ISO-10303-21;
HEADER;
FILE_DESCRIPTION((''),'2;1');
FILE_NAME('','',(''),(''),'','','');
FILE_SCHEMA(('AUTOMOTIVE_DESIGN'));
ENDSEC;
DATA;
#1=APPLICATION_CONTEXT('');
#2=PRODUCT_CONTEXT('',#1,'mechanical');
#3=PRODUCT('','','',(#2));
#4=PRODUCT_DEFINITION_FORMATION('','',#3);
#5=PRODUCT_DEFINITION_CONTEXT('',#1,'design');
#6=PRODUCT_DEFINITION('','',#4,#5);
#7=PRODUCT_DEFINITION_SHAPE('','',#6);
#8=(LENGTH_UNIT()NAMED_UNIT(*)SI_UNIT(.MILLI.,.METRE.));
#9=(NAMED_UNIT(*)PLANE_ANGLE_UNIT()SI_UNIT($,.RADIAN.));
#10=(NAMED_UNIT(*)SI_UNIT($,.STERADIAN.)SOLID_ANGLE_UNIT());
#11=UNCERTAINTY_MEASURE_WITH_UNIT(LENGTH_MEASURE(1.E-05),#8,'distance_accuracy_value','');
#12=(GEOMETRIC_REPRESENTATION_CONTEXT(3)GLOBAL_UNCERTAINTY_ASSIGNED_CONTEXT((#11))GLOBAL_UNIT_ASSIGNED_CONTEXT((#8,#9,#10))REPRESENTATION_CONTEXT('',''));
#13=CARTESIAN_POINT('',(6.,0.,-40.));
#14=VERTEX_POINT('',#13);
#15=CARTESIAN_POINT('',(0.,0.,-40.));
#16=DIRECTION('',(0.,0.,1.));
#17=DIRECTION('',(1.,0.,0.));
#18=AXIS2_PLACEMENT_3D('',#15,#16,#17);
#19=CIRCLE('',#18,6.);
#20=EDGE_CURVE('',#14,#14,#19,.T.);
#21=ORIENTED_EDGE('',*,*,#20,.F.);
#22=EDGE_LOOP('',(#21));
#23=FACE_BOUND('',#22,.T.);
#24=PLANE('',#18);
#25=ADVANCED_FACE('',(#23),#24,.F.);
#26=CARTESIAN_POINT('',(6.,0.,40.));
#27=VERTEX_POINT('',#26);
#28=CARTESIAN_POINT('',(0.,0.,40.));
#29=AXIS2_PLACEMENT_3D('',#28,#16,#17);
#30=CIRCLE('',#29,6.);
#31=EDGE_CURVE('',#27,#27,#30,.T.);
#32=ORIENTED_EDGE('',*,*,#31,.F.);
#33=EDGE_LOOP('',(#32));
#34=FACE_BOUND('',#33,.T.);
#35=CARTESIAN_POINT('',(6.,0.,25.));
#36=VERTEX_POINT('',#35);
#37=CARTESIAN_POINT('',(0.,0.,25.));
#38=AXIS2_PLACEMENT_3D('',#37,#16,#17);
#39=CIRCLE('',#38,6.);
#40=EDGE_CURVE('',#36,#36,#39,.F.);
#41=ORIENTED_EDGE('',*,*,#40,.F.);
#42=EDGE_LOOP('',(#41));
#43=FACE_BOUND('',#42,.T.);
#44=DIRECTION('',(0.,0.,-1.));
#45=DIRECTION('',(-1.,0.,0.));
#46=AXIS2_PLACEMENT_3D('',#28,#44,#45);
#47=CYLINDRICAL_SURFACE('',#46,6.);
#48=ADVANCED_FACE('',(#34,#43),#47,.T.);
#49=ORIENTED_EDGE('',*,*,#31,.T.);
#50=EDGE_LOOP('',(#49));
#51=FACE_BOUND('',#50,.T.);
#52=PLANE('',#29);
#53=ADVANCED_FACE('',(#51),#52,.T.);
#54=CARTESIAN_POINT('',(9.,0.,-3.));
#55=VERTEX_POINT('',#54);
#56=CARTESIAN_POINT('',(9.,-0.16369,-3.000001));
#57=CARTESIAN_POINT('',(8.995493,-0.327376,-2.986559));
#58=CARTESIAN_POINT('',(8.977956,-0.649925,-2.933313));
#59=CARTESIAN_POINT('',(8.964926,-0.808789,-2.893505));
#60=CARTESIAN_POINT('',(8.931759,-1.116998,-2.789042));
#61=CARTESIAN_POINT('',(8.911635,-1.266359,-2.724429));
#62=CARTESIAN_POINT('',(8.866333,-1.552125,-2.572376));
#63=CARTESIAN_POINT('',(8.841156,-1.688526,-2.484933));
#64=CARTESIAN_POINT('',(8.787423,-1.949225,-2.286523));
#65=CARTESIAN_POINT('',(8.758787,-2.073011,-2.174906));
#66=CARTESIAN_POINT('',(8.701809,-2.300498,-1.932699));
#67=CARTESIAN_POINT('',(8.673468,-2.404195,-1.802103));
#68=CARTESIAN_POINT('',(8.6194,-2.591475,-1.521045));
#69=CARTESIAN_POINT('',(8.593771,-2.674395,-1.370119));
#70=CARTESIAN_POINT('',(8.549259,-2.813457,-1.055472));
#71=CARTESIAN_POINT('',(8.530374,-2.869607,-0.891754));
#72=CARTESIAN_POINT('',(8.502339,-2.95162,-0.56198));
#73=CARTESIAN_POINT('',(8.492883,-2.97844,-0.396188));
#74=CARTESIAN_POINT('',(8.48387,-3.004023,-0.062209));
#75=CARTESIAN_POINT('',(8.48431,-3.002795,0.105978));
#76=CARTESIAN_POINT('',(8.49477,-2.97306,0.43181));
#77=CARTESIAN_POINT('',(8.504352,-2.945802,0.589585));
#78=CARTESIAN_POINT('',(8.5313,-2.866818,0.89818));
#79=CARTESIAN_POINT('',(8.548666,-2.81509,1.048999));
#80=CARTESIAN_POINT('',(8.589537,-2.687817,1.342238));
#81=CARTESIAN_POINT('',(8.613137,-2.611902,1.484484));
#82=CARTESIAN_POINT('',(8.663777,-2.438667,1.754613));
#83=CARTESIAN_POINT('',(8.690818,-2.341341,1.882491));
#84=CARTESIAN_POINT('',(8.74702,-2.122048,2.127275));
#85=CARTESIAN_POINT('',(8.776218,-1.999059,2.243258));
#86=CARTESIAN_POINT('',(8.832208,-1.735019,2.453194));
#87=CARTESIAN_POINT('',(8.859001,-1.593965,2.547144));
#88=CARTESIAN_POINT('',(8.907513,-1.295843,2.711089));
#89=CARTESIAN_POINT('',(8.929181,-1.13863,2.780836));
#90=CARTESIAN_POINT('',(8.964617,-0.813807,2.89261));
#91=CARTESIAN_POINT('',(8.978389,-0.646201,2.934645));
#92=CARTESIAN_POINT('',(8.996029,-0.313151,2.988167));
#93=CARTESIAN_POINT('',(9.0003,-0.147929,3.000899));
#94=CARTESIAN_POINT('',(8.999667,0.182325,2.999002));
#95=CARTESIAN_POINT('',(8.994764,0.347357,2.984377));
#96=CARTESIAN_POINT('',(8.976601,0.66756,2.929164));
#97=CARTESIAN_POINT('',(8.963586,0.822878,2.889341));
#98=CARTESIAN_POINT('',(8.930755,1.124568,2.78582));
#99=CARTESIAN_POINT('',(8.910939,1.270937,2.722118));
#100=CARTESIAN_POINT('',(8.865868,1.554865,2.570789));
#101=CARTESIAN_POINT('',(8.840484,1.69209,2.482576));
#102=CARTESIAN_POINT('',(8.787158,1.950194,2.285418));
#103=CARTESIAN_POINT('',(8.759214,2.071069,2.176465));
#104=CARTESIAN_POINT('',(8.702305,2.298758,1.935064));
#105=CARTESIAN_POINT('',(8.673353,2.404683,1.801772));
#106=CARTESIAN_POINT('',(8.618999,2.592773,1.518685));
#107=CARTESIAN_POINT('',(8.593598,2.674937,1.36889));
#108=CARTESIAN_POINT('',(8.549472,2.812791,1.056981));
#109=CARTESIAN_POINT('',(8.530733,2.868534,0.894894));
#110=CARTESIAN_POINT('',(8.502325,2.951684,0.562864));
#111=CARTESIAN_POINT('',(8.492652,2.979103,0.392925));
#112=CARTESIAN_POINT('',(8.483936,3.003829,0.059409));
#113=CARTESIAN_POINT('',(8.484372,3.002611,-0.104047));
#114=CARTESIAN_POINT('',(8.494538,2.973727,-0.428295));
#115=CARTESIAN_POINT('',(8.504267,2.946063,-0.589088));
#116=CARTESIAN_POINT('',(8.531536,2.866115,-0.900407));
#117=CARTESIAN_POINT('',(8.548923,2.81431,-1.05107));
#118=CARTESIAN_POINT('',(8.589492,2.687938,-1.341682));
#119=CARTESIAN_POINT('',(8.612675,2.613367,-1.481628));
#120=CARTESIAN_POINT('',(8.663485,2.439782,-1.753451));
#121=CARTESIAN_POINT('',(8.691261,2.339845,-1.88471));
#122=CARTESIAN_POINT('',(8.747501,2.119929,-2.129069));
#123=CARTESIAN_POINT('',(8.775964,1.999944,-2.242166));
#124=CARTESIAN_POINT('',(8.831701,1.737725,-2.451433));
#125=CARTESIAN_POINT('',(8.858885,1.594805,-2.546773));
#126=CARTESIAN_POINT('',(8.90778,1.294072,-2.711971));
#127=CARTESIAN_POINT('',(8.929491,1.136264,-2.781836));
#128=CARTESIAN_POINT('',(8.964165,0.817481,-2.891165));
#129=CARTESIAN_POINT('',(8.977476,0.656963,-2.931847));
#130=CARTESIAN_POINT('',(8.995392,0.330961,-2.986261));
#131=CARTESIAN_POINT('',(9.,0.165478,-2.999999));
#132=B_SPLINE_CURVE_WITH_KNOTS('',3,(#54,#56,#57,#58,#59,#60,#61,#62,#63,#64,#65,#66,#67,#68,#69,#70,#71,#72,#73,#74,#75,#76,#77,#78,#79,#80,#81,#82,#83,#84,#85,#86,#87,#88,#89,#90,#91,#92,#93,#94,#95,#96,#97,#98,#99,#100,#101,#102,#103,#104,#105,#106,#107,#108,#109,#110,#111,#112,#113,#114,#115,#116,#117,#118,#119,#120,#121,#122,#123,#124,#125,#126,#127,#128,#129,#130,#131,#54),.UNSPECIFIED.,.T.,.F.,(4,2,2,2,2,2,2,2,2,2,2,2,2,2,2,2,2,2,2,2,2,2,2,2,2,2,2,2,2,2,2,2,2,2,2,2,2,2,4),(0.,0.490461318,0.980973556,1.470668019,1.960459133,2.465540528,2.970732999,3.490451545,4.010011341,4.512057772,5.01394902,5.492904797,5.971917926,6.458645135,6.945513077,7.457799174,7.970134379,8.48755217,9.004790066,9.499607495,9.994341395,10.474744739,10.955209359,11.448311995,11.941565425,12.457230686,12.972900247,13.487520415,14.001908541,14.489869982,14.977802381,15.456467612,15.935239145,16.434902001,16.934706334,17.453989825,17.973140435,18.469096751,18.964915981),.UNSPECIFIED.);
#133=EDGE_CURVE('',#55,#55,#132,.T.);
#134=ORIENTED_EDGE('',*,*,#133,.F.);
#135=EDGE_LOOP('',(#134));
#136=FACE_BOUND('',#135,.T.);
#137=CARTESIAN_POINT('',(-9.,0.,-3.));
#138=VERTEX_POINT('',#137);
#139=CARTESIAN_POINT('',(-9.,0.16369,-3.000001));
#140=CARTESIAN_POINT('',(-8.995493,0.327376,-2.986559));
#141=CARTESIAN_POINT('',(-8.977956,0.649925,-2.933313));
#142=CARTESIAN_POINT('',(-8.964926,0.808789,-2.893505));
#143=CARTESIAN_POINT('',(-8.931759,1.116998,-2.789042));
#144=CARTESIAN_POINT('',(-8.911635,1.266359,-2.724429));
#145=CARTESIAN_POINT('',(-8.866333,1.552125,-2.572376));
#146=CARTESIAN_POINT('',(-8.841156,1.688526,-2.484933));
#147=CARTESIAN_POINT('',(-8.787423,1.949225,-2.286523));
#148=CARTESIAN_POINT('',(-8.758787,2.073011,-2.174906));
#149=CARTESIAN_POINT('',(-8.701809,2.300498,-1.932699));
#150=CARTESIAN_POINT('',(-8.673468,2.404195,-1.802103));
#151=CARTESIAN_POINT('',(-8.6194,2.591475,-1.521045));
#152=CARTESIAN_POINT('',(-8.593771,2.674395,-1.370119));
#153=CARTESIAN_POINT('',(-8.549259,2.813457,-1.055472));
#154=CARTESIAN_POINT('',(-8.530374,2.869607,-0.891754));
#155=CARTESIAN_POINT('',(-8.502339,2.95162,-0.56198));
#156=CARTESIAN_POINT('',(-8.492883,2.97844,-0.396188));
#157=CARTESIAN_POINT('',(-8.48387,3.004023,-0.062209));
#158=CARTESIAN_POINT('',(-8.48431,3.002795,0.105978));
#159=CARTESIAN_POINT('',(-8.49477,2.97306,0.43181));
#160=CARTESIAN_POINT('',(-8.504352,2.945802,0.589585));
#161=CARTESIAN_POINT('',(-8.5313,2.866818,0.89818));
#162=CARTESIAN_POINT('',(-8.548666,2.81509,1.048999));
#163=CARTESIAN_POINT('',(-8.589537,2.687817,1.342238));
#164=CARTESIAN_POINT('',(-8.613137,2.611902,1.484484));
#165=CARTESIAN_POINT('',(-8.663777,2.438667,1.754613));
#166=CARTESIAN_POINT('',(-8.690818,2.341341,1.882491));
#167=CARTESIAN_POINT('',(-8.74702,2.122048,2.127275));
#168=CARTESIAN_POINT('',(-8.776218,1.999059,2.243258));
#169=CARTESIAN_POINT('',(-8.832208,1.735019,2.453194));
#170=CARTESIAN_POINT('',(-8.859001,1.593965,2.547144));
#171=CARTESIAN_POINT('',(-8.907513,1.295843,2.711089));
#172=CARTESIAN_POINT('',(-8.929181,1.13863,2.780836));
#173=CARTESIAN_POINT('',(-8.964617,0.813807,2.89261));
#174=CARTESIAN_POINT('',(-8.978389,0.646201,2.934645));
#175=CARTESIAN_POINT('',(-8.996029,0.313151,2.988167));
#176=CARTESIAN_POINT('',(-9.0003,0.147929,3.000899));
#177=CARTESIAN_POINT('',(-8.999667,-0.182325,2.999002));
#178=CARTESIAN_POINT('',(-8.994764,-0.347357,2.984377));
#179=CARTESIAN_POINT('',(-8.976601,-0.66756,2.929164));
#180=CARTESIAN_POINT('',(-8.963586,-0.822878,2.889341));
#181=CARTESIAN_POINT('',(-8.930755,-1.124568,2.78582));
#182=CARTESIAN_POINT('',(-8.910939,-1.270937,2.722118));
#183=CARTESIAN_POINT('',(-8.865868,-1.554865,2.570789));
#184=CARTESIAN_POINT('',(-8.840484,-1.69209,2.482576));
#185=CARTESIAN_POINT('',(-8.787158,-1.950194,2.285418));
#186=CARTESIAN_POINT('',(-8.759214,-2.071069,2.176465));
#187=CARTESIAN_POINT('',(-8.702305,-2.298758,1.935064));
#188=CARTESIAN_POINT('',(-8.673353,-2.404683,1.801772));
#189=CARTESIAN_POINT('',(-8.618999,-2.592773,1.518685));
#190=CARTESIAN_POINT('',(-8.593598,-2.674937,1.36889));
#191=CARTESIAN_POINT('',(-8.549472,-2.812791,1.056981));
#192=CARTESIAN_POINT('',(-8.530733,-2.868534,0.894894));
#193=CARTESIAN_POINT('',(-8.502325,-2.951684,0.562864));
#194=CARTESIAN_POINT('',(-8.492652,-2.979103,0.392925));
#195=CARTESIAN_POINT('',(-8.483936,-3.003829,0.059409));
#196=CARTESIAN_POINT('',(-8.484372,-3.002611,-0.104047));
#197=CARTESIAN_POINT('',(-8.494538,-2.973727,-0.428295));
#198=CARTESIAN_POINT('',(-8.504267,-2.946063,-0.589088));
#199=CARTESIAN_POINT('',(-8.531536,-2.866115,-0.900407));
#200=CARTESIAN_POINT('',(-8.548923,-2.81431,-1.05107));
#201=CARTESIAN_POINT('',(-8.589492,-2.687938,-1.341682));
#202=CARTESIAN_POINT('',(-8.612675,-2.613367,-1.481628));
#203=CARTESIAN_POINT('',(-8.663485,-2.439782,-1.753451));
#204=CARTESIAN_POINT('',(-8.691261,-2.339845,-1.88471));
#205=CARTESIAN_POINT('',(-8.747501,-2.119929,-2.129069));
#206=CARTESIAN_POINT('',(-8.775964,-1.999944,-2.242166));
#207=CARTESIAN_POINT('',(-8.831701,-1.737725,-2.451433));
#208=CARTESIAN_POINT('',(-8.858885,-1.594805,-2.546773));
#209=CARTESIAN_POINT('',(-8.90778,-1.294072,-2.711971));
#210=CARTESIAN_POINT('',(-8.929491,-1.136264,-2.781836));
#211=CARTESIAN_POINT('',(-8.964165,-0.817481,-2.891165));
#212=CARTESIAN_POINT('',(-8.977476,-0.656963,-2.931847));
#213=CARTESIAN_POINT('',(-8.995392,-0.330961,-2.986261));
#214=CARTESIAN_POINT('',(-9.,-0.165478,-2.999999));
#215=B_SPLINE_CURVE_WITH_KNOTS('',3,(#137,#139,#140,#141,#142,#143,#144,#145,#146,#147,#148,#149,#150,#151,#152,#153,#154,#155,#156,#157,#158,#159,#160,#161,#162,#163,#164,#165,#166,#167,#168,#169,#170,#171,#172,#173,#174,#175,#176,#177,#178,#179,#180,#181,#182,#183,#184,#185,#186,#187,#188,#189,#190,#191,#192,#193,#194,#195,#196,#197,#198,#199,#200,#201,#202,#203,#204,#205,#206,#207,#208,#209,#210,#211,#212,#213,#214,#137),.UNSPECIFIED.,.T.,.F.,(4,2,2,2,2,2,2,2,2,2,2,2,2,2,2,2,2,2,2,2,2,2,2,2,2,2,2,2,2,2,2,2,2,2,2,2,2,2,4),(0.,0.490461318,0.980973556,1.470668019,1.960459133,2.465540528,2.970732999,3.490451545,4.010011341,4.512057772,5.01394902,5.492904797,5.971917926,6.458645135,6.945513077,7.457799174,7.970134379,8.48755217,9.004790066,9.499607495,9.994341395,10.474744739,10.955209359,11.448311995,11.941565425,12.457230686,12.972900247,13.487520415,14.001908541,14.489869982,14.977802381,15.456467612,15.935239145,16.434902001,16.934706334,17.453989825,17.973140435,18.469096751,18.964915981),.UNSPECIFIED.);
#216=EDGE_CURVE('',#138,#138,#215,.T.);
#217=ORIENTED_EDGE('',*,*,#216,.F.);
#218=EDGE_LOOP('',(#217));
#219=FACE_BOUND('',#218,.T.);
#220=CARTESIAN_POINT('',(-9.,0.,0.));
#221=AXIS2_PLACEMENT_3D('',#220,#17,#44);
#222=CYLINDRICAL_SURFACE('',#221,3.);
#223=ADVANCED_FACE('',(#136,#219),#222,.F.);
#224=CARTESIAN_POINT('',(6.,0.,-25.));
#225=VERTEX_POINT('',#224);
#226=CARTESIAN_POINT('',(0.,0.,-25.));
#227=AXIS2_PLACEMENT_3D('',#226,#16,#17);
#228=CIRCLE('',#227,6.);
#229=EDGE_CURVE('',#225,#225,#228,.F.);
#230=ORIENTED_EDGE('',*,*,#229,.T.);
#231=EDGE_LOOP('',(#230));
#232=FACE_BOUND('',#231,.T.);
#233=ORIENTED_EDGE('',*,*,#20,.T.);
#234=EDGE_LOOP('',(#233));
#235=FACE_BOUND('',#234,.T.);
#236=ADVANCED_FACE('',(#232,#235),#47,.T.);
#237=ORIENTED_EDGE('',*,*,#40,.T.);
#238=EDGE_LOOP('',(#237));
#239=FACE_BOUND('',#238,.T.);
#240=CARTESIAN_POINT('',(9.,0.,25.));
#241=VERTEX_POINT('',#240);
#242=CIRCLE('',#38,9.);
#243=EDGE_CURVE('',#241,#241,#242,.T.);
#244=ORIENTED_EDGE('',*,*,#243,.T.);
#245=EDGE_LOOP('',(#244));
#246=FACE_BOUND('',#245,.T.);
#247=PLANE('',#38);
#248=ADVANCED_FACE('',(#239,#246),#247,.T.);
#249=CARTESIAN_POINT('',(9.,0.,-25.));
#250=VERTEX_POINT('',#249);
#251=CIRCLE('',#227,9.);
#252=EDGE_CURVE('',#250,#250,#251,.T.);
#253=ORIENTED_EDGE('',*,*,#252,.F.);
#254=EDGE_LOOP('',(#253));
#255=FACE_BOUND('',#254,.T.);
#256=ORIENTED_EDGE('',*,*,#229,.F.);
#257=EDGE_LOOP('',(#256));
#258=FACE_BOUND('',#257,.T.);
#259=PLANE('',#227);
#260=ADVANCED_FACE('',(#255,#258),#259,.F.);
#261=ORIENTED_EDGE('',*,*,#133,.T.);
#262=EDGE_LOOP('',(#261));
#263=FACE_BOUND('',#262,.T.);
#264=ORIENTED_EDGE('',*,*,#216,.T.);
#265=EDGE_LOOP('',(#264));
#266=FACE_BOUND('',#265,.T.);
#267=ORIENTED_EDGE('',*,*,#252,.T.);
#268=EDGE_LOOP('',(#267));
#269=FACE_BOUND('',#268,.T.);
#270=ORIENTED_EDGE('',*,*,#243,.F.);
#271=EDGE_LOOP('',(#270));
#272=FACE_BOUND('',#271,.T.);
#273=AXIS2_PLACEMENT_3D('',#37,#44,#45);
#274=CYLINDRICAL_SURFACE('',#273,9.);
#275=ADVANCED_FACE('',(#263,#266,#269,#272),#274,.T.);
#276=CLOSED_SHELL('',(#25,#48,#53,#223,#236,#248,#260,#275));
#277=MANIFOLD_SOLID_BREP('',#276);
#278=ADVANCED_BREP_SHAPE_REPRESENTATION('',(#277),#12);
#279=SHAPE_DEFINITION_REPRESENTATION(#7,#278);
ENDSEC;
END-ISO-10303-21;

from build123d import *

# Parameters (mm, degrees)
SKETCH1_R               = 9
BOSS_EXTRUDE1_DEPTH     = 25
SKETCH2_R               = 6
BOSS_EXTRUDE2_DEPTH     = 40
CUT_EXTRUDE2_DEPTH      = 42.976183724
CUT_EXTRUDE2_DEPTH_BACK = 42.976183724
SKETCH3_R               = 3


with BuildPart() as part:
    # Sketch1 → Boss-Extrude1 (new, symmetric)
    with BuildSketch(Plane.XY):
        Circle(SKETCH1_R)
    extrude(amount=BOSS_EXTRUDE1_DEPTH, both=True)

    # Sketch2 → Boss-Extrude2 (add, symmetric)
    with BuildSketch(Plane.XY):
        Circle(SKETCH2_R)
    extrude(amount=BOSS_EXTRUDE2_DEPTH, both=True)

    # Sketch3 → Cut-Extrude2 (cut, two sides: drawn at the far end of the back side and taken through both)
    with BuildSketch(Plane(origin=(0, 0, 0), x_dir=(0, 0, -1), z_dir=(1, 0, 0)).offset(-CUT_EXTRUDE2_DEPTH_BACK)):
        Circle(SKETCH3_R)
    extrude(amount=CUT_EXTRUDE2_DEPTH + CUT_EXTRUDE2_DEPTH_BACK, mode=Mode.SUBTRACT)


solid = part.part
